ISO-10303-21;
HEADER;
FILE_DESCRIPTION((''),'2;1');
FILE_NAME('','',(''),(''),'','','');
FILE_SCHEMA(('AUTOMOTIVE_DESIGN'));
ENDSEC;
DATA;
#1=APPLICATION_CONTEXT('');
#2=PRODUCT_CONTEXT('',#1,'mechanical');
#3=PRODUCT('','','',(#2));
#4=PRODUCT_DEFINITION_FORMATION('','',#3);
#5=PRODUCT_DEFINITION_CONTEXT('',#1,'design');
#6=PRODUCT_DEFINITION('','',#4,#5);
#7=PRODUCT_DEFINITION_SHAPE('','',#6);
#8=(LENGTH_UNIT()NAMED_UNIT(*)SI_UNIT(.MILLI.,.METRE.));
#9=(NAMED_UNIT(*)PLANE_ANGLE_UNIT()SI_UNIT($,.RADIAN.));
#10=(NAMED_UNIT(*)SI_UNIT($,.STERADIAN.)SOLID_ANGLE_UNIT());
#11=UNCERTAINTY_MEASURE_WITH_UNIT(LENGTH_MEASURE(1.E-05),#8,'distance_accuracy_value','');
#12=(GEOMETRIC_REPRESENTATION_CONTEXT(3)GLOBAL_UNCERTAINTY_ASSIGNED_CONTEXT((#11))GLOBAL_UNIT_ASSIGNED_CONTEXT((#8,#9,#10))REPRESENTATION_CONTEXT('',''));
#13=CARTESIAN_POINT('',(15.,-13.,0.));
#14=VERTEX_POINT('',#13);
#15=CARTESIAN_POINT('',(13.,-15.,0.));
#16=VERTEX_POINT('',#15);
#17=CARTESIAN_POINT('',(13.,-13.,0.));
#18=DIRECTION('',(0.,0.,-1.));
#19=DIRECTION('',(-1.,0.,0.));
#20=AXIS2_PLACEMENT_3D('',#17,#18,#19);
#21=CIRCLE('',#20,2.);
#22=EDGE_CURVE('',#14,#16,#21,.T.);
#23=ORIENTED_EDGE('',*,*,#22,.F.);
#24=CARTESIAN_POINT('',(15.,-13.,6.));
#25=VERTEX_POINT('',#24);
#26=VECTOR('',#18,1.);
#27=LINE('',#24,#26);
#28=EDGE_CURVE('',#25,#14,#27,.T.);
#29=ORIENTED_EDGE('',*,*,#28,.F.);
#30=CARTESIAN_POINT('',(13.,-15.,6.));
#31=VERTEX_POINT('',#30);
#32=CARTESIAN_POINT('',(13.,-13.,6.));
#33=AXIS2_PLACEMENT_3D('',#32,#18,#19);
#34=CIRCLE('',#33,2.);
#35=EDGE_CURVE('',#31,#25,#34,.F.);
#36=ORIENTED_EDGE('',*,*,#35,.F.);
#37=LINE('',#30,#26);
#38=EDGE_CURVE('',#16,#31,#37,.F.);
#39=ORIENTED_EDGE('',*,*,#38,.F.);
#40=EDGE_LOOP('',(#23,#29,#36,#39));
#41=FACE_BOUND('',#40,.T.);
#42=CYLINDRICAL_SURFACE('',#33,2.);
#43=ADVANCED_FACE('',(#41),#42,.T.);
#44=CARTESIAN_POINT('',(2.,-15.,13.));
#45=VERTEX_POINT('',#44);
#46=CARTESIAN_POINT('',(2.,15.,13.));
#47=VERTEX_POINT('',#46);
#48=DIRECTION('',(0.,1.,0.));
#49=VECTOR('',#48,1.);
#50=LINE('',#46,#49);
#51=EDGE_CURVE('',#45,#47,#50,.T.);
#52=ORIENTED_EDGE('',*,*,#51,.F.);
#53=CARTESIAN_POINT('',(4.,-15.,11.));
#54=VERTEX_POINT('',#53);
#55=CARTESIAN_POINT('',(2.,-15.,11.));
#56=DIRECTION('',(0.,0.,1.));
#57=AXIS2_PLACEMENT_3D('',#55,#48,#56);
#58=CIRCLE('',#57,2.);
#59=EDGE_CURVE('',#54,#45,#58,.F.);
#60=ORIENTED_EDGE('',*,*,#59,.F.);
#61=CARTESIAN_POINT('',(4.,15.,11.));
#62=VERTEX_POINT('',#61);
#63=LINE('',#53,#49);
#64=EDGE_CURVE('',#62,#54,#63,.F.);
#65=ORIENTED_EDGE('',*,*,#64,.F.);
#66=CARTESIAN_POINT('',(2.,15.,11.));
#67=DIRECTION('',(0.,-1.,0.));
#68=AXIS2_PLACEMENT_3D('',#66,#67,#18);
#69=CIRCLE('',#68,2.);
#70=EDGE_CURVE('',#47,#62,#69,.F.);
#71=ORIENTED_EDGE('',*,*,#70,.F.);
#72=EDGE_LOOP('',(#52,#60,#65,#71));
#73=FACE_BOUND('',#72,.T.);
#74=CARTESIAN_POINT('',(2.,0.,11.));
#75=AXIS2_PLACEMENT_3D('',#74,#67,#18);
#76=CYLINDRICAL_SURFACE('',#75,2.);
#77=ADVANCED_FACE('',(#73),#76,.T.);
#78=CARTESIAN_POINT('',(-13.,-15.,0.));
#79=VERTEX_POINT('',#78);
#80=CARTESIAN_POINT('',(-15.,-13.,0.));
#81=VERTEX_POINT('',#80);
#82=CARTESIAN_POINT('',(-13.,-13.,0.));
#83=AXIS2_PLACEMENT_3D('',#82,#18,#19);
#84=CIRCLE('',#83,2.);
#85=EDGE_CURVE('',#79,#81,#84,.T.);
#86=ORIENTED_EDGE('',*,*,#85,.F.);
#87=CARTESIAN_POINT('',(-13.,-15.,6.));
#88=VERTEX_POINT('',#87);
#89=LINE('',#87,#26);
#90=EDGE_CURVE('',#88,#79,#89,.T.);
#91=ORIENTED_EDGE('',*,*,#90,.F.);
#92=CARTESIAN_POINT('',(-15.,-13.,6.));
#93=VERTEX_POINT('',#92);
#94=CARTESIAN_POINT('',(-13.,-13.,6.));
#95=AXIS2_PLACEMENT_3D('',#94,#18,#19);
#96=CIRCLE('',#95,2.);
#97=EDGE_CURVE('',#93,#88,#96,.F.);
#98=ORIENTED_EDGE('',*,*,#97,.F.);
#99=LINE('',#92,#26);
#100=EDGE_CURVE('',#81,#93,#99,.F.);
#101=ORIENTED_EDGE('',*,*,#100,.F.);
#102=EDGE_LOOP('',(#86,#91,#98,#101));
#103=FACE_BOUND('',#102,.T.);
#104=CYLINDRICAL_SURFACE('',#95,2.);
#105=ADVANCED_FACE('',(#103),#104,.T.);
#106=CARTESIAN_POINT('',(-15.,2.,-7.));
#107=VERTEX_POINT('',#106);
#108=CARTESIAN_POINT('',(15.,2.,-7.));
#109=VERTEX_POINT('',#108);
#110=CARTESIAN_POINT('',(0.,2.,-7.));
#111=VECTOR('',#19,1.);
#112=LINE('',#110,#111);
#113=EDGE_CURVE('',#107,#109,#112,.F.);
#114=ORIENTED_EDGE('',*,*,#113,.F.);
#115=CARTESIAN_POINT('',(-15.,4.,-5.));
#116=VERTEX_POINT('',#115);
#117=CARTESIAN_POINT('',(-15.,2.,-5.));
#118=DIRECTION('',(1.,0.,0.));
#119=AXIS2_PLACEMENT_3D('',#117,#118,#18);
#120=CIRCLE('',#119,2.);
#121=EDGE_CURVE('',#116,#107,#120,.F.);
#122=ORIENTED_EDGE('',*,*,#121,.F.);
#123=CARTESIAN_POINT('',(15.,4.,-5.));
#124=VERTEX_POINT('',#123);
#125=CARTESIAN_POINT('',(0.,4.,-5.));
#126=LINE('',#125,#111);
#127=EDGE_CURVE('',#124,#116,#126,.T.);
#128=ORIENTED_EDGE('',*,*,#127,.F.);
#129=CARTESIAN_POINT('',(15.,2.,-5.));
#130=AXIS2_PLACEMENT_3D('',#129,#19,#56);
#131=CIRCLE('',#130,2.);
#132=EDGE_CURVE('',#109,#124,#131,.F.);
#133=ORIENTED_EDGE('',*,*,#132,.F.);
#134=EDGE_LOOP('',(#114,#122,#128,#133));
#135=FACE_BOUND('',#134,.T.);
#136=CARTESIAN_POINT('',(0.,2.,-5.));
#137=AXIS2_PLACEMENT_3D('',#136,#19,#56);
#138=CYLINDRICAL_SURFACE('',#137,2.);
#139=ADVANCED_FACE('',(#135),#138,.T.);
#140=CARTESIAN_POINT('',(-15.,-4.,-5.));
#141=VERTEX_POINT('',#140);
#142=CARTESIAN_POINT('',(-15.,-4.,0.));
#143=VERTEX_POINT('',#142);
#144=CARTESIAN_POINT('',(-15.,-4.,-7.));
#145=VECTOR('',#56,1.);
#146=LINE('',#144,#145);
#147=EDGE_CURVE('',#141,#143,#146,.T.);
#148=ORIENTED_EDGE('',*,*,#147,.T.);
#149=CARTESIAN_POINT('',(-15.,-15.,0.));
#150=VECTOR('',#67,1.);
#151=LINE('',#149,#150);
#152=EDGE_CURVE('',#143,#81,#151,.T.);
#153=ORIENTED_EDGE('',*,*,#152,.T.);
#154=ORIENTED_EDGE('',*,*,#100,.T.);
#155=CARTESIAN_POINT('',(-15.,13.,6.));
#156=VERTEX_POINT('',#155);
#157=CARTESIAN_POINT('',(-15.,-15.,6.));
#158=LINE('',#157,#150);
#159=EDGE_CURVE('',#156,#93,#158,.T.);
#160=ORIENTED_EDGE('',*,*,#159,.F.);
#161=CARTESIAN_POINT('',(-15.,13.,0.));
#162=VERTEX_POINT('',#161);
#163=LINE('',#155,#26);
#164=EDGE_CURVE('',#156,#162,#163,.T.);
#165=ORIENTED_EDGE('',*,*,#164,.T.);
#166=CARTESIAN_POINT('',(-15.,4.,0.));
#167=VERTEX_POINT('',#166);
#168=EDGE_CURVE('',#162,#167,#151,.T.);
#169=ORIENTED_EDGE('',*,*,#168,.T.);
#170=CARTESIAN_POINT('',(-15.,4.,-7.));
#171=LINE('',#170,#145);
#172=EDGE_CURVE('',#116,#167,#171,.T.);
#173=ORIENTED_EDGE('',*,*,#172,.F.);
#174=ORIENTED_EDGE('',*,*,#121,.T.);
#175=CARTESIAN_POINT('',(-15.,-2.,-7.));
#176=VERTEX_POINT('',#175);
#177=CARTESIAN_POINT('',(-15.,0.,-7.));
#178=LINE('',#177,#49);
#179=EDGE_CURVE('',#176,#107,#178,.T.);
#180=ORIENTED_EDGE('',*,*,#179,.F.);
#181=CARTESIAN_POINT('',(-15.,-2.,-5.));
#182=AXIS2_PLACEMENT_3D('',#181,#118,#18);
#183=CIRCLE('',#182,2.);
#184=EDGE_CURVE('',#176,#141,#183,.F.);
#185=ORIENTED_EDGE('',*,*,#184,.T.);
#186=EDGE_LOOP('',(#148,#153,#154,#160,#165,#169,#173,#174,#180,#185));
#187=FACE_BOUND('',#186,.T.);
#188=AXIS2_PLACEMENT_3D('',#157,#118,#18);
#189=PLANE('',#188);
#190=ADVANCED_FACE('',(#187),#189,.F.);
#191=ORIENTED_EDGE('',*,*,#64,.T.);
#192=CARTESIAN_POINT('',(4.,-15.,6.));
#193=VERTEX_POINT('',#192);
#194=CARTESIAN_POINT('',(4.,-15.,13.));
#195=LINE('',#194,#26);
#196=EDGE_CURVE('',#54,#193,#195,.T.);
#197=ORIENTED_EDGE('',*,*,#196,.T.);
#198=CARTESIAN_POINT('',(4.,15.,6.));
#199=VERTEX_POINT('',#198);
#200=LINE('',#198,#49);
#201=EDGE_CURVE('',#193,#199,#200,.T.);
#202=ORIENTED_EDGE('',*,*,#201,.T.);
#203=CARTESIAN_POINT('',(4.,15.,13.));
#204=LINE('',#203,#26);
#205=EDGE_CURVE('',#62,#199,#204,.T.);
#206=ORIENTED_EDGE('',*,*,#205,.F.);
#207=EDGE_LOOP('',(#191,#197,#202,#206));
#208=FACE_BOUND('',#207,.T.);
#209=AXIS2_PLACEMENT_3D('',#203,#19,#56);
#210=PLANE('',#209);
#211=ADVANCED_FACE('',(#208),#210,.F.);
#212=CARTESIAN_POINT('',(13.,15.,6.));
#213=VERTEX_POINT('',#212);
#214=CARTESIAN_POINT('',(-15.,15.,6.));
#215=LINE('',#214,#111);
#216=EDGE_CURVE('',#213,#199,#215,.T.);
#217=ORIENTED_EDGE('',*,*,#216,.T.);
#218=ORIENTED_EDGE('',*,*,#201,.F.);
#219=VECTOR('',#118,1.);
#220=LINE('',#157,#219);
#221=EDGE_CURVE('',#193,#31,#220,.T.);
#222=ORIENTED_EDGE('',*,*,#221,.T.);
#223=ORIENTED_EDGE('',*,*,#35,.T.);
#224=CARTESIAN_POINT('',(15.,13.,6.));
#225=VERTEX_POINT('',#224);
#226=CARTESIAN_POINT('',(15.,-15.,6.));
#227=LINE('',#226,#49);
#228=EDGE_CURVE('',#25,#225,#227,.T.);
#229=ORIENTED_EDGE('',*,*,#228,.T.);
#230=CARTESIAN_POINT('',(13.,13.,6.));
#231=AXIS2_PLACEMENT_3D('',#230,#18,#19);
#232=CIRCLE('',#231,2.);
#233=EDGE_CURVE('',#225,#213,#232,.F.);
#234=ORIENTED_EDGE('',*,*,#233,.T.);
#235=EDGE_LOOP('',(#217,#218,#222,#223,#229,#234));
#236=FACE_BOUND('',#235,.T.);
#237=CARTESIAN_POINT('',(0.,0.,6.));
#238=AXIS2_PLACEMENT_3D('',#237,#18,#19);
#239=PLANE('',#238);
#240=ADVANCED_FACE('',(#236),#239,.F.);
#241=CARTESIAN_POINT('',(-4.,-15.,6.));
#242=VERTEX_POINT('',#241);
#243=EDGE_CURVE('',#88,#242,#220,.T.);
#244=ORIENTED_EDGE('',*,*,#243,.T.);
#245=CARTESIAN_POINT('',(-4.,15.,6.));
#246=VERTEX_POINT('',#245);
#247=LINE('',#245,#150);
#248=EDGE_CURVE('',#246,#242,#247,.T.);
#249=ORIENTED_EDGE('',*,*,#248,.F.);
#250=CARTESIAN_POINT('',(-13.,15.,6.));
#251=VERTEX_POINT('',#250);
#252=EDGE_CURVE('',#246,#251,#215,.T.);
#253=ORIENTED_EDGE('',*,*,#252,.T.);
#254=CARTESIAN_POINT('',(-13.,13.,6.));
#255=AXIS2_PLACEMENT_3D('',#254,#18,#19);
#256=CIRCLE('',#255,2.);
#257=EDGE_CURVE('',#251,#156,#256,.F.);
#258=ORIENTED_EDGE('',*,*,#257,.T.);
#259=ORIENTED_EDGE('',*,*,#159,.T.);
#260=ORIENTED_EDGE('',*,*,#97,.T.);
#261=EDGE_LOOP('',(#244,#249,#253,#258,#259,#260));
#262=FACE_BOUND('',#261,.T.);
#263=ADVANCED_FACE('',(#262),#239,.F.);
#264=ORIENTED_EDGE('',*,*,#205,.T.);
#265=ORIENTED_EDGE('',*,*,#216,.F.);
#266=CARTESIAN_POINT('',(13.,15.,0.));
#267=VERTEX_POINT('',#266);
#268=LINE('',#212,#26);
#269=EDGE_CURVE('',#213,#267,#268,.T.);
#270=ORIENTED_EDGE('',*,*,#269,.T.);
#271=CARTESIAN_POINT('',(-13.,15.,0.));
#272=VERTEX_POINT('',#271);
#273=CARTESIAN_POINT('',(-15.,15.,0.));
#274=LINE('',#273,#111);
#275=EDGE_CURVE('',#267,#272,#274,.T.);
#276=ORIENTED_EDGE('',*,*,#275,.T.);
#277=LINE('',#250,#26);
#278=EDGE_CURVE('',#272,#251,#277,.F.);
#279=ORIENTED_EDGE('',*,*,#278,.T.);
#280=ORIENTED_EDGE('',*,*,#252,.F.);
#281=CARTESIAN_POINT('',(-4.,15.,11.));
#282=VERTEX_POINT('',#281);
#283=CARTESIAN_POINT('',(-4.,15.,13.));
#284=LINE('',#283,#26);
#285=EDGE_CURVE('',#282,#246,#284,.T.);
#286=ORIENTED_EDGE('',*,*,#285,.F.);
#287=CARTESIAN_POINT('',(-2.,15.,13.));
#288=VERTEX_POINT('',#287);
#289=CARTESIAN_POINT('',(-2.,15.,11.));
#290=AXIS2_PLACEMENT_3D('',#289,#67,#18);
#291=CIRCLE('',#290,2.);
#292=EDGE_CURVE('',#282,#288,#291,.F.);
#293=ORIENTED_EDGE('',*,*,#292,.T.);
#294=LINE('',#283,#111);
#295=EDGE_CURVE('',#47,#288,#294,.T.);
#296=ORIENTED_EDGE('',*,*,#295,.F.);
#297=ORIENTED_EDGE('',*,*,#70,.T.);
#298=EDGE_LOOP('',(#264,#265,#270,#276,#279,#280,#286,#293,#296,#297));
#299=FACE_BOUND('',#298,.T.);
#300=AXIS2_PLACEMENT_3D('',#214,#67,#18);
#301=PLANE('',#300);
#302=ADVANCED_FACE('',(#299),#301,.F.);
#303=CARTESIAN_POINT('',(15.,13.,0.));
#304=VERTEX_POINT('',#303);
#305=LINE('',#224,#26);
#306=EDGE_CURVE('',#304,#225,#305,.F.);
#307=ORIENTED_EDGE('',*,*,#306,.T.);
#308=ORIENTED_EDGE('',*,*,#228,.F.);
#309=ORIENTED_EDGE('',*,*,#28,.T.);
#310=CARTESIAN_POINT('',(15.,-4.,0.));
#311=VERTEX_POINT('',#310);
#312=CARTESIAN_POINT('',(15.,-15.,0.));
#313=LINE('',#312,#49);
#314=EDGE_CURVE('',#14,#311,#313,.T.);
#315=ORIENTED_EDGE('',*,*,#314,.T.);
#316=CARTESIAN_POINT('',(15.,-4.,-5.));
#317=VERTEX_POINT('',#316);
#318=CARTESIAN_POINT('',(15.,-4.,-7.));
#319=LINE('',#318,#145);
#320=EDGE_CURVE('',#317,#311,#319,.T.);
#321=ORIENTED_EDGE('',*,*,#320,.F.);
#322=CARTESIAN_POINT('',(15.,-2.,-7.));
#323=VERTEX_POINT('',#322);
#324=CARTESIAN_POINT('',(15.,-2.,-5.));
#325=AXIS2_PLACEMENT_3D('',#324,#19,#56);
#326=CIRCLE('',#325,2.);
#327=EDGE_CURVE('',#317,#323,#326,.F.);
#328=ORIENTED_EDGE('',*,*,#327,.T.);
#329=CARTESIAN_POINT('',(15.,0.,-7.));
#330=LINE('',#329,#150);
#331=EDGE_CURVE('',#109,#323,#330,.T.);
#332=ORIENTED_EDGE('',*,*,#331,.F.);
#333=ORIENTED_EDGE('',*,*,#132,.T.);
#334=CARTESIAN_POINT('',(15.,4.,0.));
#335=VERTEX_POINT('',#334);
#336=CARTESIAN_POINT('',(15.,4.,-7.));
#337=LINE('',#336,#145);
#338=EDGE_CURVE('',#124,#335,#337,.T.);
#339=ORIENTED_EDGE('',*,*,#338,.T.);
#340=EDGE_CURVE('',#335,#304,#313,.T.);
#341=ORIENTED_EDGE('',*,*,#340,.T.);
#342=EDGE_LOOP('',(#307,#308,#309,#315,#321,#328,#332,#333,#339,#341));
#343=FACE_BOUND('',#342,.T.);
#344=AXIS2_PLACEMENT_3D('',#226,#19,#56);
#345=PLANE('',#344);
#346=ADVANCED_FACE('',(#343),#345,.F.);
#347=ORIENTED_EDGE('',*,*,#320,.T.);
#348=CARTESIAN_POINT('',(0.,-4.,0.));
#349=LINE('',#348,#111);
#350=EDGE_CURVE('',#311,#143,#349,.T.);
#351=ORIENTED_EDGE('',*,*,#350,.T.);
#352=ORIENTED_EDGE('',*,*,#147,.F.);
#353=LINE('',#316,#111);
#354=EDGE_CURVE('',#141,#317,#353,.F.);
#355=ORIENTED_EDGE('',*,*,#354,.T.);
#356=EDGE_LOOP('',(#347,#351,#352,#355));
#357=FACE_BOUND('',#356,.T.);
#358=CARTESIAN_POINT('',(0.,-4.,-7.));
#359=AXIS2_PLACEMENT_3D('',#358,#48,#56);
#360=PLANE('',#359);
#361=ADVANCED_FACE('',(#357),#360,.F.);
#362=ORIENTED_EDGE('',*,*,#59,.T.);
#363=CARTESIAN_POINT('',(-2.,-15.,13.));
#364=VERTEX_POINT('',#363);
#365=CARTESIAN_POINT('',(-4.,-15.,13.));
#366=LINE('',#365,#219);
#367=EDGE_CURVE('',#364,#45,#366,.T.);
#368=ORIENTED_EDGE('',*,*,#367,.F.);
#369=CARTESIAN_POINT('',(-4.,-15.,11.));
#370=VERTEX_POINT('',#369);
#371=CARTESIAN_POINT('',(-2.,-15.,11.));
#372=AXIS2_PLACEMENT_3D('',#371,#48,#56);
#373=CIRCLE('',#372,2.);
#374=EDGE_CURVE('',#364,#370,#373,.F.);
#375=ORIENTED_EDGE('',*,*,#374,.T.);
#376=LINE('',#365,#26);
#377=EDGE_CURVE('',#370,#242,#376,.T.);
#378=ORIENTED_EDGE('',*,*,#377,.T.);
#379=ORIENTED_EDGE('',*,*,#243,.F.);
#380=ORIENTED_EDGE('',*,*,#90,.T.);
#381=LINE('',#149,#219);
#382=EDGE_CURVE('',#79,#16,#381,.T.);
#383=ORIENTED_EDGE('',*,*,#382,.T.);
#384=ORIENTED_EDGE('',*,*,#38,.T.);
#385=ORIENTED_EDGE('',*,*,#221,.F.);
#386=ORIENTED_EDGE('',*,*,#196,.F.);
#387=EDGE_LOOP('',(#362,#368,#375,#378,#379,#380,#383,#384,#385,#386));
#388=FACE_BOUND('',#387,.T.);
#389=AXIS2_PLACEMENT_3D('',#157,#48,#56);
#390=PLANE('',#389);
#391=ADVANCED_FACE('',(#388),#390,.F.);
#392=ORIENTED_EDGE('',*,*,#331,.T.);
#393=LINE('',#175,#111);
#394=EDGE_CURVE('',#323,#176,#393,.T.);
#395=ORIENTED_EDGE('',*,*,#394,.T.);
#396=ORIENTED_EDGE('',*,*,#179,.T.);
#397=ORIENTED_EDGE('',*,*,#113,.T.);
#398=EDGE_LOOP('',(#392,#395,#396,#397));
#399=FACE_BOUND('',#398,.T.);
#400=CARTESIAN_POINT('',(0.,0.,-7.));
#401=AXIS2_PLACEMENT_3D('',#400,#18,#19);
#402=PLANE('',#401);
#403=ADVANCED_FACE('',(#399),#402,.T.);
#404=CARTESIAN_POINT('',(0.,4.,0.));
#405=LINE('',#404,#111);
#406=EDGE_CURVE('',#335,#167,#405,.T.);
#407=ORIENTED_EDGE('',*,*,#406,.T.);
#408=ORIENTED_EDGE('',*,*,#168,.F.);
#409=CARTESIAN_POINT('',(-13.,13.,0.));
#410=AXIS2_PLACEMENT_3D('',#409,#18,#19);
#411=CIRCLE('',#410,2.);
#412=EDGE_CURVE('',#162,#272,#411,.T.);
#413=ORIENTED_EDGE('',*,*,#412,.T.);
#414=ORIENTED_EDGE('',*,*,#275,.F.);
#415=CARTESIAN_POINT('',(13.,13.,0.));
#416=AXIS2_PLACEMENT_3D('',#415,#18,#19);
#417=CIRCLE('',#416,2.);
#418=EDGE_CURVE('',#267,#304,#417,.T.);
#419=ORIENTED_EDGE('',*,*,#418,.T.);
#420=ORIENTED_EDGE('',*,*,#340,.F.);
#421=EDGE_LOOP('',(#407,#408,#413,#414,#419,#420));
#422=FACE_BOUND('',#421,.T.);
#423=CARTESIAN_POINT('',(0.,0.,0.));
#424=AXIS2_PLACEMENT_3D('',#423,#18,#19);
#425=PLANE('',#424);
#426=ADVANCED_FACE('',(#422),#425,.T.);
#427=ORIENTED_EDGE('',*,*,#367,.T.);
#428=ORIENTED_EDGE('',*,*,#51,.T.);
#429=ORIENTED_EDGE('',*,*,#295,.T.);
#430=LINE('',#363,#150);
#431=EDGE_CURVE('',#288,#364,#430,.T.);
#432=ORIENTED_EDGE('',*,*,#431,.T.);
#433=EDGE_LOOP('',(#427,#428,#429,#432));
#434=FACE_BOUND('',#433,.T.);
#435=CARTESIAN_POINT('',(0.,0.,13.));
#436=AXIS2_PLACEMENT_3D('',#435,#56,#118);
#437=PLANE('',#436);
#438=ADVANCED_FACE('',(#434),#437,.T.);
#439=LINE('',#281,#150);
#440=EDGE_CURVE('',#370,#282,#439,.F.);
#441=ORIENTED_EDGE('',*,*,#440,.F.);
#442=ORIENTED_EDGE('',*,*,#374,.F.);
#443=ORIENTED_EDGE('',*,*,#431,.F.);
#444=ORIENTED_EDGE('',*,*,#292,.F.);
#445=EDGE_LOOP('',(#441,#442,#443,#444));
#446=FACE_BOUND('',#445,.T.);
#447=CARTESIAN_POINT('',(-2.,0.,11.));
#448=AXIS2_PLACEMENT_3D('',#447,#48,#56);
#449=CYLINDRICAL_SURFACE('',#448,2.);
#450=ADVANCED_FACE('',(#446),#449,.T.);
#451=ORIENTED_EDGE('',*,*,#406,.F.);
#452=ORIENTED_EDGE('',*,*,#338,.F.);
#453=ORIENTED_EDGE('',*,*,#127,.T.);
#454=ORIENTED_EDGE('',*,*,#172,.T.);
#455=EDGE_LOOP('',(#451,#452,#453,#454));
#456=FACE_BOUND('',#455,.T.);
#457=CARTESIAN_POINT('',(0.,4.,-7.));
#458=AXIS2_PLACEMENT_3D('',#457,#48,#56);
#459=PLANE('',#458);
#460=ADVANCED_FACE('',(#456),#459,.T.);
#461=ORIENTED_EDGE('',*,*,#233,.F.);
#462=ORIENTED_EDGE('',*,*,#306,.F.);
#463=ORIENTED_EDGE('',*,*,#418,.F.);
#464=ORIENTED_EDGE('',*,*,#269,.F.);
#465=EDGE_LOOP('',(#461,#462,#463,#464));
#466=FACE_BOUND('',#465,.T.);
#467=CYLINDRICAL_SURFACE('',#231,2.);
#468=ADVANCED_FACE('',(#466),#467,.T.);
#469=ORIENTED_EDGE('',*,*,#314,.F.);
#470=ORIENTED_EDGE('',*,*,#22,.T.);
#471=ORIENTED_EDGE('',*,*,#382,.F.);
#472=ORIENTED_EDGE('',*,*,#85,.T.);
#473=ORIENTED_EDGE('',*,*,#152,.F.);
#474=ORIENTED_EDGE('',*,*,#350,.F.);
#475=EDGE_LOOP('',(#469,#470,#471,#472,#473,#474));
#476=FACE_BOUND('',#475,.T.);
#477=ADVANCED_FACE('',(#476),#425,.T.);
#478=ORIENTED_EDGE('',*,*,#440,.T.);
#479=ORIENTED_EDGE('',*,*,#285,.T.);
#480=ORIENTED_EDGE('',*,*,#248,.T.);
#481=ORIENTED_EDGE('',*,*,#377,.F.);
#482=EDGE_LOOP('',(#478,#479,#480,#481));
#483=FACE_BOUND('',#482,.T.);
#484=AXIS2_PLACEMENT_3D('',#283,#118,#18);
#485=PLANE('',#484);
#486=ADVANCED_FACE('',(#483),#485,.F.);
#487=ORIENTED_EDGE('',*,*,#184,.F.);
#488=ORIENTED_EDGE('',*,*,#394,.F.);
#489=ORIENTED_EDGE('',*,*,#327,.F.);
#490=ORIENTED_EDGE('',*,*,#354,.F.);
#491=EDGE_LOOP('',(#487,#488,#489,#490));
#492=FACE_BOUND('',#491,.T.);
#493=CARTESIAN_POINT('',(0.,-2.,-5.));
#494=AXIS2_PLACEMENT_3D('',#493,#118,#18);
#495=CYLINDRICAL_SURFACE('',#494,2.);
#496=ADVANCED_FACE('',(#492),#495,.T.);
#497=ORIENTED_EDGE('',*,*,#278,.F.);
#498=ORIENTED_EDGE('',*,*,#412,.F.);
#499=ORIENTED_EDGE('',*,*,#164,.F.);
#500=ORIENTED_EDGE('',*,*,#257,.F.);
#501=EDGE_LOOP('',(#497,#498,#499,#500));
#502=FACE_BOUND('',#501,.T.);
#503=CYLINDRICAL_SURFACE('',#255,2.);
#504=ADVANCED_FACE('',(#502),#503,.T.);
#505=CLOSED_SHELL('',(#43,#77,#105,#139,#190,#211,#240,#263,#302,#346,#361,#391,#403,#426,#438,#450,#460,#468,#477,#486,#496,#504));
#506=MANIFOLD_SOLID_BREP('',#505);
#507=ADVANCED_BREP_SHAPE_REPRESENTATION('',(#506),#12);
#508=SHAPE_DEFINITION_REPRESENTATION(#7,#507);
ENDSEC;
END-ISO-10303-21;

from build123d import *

# Parameters (mm, degrees)
SKETCH_1_W      = 30
SKETCH_1_H      = 30
EXTRUDE_1_DEPTH = 6
SKETCH_2_W      = 30
SKETCH_2_H      = 8
EXTRUDE_2_DEPTH = 7
FILLET_1_R      = 2
FILLET_2_R      = 2
SKETCH_3_W      = 8
SKETCH_3_H      = 30
EXTRUDE_3_DEPTH = 7
FILLET_3_R      = 2


with BuildPart() as part:
    # 스케치1 → 보스-돌출1 (new body)
    with BuildSketch(Plane.XY):
        Rectangle(SKETCH_1_W, SKETCH_1_H)
    extrude(amount=EXTRUDE_1_DEPTH)

    # 스케치2 → 보스-돌출2 (add)
    with BuildSketch(Plane(origin=(0, 0, 0), x_dir=(-1, 0, 0), z_dir=(0, 0, -1))):
        Rectangle(SKETCH_2_W, SKETCH_2_H)
    extrude(amount=EXTRUDE_2_DEPTH)

    # 필렛1
    fillet_1_edges = [part.edges().sort_by_distance(p)[0] for p in [
        (0, 4, -7),
        (0, -4, -7),
    ]]
    fillet(fillet_1_edges, radius=FILLET_1_R)

    # 필렛2
    fillet_2_edges = [part.edges().sort_by_distance(p)[0] for p in [
        (15, -15, 3),
        (-15, -15, 3),
        (-15, 15, 3),
        (15, 15, 3),
    ]]
    fillet(fillet_2_edges, radius=FILLET_2_R)

    # 스케치3 → 보스-돌출3 (add)
    with BuildSketch(Plane.XY.offset(6)):
        Rectangle(SKETCH_3_W, SKETCH_3_H)
    extrude(amount=EXTRUDE_3_DEPTH)

    # 필렛3
    fillet_3_edges = [part.edges().sort_by_distance(p)[0] for p in [
        (4, 0, 13),
        (-4, 0, 13),
    ]]
    fillet(fillet_3_edges, radius=FILLET_3_R)


solid = part.part
